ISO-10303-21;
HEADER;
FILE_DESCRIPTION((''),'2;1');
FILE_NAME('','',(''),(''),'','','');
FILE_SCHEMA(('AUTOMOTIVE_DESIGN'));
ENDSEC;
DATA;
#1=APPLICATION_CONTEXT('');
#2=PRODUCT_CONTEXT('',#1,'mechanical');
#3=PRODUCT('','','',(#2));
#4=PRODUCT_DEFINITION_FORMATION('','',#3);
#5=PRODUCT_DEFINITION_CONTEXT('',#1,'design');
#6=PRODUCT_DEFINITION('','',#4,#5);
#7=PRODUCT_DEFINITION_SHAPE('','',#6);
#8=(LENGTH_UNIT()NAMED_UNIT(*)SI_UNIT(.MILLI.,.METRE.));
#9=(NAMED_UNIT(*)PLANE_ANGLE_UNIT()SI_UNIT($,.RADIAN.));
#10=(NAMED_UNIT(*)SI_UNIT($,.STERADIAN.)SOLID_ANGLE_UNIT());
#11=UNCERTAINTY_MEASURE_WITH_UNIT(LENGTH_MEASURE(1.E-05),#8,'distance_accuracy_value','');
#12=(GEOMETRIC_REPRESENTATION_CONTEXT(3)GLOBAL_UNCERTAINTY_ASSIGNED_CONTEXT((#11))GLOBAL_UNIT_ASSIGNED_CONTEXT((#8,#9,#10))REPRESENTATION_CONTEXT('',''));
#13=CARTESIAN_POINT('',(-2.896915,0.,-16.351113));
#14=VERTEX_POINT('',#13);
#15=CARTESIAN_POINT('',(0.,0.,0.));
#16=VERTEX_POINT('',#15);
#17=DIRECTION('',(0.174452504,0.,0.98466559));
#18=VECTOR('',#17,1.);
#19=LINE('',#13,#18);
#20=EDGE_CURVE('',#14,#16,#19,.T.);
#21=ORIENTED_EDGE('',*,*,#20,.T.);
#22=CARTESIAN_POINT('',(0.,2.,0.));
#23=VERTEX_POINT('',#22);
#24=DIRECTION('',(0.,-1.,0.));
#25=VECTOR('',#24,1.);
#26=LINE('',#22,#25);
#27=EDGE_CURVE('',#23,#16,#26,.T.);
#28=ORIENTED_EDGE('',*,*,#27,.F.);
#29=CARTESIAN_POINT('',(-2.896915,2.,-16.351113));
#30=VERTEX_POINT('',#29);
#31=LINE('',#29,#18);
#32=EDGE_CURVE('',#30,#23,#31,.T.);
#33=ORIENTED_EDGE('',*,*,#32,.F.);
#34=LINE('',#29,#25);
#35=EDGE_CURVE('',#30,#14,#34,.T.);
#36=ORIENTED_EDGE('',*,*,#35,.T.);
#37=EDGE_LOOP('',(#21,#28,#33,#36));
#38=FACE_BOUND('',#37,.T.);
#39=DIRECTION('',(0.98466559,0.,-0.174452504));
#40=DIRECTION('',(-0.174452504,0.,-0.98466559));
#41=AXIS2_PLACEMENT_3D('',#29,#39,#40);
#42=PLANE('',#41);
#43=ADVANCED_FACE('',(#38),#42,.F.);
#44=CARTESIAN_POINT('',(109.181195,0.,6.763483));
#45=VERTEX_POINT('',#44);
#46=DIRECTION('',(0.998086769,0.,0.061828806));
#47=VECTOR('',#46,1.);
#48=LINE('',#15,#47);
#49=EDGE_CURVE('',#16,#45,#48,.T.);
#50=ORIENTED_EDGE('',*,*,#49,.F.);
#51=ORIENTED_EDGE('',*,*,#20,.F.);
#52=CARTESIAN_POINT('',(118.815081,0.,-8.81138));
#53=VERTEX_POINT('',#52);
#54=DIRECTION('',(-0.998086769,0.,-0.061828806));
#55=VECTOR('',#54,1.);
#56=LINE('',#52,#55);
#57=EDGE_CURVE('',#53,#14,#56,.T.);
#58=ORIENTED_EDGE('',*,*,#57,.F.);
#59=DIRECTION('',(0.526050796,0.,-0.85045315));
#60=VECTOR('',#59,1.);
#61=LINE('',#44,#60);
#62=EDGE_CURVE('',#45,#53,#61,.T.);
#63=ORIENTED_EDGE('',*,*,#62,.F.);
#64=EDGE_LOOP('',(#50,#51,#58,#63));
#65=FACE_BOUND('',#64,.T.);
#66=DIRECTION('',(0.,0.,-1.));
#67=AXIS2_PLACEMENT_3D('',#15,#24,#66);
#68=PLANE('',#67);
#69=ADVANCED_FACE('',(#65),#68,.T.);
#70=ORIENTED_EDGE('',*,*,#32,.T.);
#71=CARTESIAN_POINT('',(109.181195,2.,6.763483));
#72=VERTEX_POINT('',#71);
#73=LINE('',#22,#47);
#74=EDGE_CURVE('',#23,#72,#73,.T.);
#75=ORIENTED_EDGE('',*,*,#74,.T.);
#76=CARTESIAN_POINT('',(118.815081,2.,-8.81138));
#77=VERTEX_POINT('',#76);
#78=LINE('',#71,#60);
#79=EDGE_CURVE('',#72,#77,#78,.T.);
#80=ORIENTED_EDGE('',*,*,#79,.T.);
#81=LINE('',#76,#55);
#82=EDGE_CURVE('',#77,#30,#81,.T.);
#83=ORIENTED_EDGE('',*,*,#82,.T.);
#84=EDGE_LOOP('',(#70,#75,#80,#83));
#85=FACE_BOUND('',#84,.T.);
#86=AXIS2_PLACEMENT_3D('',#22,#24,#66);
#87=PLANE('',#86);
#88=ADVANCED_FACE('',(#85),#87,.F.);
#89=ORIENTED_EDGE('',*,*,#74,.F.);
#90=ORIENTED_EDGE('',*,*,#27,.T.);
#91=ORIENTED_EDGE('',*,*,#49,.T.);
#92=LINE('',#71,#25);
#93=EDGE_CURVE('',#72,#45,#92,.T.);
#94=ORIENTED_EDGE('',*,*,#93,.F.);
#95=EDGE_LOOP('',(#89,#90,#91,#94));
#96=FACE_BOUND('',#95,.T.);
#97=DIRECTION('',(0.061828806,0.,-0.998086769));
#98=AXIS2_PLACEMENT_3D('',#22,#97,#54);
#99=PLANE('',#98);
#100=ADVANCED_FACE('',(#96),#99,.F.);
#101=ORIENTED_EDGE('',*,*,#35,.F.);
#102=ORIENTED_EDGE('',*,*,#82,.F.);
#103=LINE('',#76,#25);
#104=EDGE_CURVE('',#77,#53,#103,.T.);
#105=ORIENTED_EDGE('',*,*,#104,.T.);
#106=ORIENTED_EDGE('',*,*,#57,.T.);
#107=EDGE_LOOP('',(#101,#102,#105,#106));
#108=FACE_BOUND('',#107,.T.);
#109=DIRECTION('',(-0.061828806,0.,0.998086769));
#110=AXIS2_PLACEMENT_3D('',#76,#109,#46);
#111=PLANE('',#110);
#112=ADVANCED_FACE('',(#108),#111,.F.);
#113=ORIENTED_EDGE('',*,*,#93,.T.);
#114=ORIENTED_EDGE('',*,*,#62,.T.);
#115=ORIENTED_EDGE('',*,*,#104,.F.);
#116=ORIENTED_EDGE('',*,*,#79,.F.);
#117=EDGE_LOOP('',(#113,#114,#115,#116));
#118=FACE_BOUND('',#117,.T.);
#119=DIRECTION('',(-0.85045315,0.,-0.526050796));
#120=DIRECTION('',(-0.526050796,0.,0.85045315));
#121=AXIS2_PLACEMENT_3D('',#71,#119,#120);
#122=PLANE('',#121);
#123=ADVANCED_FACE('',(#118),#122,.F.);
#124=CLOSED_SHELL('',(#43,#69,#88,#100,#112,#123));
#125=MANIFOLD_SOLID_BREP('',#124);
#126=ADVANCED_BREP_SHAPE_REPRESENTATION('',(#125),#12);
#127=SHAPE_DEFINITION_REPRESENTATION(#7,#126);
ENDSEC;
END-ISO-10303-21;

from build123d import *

# Parameters (mm, degrees)
BOSS_EXTRU_1_DEPTH = 2


with BuildPart() as part:
    # Esquisse1 → Boss.-Extru.1 (new body)
    with BuildSketch(Plane(origin=(0, 0, 0), x_dir=(1, 0, 0), z_dir=(0, 1, 0))):
        Polygon((109.181194573, -6.763482991), (118.815081062, 8.811380073), (-2.896915031, 16.351112705), (0, 0), align=None)
    extrude(amount=BOSS_EXTRU_1_DEPTH)


solid = part.part
